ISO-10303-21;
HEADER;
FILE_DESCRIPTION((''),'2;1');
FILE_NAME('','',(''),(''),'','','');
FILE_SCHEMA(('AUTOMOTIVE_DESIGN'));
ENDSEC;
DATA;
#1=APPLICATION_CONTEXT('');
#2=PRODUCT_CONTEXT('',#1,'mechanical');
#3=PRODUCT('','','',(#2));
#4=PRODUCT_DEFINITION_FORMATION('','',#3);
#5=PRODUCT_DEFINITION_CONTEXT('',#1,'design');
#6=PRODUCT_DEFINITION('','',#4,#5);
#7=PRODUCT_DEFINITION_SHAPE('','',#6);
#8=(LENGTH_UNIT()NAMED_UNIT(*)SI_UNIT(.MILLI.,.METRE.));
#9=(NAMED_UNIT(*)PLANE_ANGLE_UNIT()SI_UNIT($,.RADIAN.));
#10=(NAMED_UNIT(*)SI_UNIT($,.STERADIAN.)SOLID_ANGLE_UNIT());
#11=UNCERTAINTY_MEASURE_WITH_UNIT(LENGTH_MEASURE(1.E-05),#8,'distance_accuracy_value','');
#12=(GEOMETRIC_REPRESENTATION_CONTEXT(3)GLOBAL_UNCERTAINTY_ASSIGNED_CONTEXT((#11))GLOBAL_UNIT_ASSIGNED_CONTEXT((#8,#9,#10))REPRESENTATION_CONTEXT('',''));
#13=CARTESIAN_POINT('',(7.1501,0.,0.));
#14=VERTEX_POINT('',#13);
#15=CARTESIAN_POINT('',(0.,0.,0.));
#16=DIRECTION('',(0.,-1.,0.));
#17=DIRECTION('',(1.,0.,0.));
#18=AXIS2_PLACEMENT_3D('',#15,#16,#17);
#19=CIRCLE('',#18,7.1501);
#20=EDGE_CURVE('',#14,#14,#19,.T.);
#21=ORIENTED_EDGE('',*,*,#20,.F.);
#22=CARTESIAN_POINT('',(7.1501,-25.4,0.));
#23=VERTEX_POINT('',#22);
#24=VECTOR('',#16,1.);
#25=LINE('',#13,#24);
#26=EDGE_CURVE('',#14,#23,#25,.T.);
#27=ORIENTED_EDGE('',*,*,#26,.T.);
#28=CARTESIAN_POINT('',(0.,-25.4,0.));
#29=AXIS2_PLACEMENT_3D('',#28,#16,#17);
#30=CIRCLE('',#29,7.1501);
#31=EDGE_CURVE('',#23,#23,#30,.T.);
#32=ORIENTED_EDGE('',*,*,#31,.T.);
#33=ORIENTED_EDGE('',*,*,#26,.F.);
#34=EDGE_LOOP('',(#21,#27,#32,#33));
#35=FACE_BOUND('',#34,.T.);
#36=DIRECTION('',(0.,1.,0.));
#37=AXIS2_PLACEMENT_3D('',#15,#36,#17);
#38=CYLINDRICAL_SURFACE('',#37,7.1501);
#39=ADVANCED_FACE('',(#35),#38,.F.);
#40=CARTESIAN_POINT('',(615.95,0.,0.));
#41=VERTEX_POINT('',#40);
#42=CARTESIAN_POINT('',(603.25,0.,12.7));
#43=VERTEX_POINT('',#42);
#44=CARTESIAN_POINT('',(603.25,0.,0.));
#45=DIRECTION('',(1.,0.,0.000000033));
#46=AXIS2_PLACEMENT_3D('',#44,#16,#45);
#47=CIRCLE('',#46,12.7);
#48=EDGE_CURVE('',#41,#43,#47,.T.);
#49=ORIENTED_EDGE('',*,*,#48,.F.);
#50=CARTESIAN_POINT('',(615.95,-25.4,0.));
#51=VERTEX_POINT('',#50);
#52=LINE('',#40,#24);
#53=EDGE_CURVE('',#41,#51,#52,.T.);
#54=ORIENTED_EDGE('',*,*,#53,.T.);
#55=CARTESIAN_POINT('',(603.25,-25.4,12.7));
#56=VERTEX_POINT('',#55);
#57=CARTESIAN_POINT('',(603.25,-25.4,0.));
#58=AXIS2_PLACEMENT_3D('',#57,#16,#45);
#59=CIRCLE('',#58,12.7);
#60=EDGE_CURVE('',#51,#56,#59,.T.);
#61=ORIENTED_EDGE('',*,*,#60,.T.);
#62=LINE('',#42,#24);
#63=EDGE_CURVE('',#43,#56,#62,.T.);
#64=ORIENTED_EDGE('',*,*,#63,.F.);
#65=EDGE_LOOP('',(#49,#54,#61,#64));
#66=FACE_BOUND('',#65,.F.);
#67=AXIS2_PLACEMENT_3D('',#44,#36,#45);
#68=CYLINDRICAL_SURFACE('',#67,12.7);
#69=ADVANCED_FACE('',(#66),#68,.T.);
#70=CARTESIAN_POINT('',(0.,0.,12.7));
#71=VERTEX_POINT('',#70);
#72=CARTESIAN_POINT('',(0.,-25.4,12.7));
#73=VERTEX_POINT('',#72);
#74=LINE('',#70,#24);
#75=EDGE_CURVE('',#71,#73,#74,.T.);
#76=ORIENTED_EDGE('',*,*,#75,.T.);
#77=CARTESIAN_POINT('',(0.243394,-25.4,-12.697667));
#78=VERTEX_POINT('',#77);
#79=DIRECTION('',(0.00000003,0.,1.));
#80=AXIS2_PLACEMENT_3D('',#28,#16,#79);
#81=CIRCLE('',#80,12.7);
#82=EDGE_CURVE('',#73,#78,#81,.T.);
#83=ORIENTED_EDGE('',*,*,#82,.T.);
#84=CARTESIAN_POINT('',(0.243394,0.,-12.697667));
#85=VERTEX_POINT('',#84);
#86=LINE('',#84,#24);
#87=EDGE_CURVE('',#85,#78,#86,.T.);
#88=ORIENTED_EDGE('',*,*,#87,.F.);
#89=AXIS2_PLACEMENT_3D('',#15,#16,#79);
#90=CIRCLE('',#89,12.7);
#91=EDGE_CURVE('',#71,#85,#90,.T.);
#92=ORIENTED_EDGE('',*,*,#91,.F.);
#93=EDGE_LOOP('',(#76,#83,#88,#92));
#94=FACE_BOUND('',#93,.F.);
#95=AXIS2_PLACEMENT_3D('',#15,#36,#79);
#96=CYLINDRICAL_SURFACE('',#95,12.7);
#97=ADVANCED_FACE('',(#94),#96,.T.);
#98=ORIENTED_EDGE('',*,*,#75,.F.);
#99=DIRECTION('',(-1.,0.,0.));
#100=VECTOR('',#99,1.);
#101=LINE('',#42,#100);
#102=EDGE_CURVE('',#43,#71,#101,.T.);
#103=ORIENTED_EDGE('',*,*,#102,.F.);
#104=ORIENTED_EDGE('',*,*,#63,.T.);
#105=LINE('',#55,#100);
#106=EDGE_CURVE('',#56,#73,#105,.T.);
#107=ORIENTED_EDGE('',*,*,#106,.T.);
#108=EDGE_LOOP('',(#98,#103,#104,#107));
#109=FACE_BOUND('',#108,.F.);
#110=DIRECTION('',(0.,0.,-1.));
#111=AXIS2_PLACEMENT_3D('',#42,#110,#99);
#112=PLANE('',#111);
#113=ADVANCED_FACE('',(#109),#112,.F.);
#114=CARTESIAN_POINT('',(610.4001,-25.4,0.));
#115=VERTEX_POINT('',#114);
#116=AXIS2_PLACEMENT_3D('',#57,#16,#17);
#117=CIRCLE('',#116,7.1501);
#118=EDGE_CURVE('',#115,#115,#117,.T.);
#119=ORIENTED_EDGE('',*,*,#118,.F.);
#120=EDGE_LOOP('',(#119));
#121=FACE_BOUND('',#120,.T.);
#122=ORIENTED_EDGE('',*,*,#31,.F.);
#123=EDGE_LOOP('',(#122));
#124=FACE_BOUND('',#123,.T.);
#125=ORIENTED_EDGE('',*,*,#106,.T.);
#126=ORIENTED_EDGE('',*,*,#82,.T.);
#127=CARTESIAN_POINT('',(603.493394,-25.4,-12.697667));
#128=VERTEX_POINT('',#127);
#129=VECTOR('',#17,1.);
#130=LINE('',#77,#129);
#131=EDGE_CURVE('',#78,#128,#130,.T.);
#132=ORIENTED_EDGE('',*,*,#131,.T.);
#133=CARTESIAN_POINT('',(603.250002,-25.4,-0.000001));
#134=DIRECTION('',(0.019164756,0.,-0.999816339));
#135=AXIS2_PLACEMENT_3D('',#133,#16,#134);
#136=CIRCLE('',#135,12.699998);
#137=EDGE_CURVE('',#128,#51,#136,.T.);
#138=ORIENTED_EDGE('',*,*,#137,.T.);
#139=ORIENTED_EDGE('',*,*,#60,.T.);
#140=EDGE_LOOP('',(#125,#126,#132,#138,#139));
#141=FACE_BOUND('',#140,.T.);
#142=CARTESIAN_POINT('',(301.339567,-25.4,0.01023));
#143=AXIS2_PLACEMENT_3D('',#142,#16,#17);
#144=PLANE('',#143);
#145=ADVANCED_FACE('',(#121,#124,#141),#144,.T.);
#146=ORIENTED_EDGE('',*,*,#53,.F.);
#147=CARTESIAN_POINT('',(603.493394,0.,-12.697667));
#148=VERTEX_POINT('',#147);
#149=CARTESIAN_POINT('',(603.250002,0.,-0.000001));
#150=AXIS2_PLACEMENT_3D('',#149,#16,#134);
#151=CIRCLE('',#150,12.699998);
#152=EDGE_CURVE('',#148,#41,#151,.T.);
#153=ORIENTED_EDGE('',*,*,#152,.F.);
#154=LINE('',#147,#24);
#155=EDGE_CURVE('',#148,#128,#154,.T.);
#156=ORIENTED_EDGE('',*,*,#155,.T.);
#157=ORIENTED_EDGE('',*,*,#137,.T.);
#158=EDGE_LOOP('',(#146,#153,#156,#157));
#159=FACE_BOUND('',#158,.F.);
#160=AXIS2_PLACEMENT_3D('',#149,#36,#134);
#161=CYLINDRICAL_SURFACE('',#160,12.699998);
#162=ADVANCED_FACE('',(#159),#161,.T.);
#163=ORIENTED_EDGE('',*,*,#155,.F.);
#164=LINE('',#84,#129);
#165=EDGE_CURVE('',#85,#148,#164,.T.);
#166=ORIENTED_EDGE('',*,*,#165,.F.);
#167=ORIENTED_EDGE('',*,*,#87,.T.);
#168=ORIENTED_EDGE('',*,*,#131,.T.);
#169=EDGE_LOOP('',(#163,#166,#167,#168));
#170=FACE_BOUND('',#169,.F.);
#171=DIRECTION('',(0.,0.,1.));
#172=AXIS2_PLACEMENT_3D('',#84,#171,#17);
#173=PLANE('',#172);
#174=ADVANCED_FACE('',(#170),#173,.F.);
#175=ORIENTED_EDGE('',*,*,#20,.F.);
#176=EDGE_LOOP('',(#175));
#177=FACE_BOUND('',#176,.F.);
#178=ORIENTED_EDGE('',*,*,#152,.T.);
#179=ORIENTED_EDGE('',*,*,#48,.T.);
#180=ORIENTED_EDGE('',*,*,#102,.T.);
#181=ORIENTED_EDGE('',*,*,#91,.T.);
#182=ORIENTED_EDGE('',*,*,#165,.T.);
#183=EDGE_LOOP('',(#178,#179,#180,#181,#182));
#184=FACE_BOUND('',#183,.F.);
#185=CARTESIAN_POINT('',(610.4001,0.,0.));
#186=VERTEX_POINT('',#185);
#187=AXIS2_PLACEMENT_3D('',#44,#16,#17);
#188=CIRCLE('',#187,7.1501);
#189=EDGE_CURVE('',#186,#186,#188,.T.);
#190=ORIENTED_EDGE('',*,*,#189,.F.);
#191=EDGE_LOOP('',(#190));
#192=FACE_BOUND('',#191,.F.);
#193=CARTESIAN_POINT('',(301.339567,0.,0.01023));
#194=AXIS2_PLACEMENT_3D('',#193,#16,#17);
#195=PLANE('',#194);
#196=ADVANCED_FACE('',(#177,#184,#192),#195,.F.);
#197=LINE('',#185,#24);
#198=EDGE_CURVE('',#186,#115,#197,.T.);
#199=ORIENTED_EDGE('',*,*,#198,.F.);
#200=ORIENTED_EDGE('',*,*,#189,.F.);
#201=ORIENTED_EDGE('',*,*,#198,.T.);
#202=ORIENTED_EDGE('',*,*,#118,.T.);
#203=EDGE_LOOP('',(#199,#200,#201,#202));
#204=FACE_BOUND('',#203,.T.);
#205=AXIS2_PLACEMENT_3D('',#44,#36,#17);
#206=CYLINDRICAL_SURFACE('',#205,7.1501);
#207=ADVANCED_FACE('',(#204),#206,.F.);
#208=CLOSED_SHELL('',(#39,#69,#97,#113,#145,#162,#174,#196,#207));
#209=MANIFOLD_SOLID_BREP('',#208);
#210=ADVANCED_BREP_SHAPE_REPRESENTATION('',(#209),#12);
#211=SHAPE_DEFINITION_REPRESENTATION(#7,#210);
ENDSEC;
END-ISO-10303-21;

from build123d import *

# Parameters (mm, degrees)
F0_R     = 7.1501
F1_DEPTH = 25.4


with BuildPart() as f1:
    # F0 (on Front) → F1 (new body)
    with BuildSketch(Plane.XZ):
        with BuildLine():
            ThreePointArc((0, 12.7), (8.980256, 8.980256), (12.7, 0))
            ThreePointArc((12.7, 0), (9.065901, -8.893787), (0.243394, -12.697667))
            Line((0.243394, -12.697667), (603.006606, -12.697667))
            ThreePointArc((603.006606, -12.697667), (590.550583, 0.121703), (603.25, 12.7))
            Line((603.25, 12.7), (0, 12.7))
        make_face()
        with BuildLine():
            ThreePointArc((0.243394, -12.697667), (9.065901, -8.893787), (12.7, 0))
            ThreePointArc((12.7, 0), (8.980256, 8.980256), (0, 12.7))
            ThreePointArc((0, 12.7), (-12.699417, -0.121703), (0.243394, -12.697667))
        make_face()
        Circle(F0_R, mode=Mode.SUBTRACT)
        with BuildLine():
            ThreePointArc((615.95, 0), (612.230256, 8.980256), (603.25, 12.7))
            ThreePointArc((603.25, 12.7), (590.550583, 0.121703), (603.006606, -12.697667))
            Line((603.006606, -12.697667), (603.493394, -12.697667))
            ThreePointArc((603.493394, -12.697667), (612.315901, -8.893787), (615.95, 0))
        make_face()
        with Locations((603.25, 0)):
            Circle(F0_R, mode=Mode.SUBTRACT)
    extrude(amount=F1_DEPTH)


solid = f1.part
